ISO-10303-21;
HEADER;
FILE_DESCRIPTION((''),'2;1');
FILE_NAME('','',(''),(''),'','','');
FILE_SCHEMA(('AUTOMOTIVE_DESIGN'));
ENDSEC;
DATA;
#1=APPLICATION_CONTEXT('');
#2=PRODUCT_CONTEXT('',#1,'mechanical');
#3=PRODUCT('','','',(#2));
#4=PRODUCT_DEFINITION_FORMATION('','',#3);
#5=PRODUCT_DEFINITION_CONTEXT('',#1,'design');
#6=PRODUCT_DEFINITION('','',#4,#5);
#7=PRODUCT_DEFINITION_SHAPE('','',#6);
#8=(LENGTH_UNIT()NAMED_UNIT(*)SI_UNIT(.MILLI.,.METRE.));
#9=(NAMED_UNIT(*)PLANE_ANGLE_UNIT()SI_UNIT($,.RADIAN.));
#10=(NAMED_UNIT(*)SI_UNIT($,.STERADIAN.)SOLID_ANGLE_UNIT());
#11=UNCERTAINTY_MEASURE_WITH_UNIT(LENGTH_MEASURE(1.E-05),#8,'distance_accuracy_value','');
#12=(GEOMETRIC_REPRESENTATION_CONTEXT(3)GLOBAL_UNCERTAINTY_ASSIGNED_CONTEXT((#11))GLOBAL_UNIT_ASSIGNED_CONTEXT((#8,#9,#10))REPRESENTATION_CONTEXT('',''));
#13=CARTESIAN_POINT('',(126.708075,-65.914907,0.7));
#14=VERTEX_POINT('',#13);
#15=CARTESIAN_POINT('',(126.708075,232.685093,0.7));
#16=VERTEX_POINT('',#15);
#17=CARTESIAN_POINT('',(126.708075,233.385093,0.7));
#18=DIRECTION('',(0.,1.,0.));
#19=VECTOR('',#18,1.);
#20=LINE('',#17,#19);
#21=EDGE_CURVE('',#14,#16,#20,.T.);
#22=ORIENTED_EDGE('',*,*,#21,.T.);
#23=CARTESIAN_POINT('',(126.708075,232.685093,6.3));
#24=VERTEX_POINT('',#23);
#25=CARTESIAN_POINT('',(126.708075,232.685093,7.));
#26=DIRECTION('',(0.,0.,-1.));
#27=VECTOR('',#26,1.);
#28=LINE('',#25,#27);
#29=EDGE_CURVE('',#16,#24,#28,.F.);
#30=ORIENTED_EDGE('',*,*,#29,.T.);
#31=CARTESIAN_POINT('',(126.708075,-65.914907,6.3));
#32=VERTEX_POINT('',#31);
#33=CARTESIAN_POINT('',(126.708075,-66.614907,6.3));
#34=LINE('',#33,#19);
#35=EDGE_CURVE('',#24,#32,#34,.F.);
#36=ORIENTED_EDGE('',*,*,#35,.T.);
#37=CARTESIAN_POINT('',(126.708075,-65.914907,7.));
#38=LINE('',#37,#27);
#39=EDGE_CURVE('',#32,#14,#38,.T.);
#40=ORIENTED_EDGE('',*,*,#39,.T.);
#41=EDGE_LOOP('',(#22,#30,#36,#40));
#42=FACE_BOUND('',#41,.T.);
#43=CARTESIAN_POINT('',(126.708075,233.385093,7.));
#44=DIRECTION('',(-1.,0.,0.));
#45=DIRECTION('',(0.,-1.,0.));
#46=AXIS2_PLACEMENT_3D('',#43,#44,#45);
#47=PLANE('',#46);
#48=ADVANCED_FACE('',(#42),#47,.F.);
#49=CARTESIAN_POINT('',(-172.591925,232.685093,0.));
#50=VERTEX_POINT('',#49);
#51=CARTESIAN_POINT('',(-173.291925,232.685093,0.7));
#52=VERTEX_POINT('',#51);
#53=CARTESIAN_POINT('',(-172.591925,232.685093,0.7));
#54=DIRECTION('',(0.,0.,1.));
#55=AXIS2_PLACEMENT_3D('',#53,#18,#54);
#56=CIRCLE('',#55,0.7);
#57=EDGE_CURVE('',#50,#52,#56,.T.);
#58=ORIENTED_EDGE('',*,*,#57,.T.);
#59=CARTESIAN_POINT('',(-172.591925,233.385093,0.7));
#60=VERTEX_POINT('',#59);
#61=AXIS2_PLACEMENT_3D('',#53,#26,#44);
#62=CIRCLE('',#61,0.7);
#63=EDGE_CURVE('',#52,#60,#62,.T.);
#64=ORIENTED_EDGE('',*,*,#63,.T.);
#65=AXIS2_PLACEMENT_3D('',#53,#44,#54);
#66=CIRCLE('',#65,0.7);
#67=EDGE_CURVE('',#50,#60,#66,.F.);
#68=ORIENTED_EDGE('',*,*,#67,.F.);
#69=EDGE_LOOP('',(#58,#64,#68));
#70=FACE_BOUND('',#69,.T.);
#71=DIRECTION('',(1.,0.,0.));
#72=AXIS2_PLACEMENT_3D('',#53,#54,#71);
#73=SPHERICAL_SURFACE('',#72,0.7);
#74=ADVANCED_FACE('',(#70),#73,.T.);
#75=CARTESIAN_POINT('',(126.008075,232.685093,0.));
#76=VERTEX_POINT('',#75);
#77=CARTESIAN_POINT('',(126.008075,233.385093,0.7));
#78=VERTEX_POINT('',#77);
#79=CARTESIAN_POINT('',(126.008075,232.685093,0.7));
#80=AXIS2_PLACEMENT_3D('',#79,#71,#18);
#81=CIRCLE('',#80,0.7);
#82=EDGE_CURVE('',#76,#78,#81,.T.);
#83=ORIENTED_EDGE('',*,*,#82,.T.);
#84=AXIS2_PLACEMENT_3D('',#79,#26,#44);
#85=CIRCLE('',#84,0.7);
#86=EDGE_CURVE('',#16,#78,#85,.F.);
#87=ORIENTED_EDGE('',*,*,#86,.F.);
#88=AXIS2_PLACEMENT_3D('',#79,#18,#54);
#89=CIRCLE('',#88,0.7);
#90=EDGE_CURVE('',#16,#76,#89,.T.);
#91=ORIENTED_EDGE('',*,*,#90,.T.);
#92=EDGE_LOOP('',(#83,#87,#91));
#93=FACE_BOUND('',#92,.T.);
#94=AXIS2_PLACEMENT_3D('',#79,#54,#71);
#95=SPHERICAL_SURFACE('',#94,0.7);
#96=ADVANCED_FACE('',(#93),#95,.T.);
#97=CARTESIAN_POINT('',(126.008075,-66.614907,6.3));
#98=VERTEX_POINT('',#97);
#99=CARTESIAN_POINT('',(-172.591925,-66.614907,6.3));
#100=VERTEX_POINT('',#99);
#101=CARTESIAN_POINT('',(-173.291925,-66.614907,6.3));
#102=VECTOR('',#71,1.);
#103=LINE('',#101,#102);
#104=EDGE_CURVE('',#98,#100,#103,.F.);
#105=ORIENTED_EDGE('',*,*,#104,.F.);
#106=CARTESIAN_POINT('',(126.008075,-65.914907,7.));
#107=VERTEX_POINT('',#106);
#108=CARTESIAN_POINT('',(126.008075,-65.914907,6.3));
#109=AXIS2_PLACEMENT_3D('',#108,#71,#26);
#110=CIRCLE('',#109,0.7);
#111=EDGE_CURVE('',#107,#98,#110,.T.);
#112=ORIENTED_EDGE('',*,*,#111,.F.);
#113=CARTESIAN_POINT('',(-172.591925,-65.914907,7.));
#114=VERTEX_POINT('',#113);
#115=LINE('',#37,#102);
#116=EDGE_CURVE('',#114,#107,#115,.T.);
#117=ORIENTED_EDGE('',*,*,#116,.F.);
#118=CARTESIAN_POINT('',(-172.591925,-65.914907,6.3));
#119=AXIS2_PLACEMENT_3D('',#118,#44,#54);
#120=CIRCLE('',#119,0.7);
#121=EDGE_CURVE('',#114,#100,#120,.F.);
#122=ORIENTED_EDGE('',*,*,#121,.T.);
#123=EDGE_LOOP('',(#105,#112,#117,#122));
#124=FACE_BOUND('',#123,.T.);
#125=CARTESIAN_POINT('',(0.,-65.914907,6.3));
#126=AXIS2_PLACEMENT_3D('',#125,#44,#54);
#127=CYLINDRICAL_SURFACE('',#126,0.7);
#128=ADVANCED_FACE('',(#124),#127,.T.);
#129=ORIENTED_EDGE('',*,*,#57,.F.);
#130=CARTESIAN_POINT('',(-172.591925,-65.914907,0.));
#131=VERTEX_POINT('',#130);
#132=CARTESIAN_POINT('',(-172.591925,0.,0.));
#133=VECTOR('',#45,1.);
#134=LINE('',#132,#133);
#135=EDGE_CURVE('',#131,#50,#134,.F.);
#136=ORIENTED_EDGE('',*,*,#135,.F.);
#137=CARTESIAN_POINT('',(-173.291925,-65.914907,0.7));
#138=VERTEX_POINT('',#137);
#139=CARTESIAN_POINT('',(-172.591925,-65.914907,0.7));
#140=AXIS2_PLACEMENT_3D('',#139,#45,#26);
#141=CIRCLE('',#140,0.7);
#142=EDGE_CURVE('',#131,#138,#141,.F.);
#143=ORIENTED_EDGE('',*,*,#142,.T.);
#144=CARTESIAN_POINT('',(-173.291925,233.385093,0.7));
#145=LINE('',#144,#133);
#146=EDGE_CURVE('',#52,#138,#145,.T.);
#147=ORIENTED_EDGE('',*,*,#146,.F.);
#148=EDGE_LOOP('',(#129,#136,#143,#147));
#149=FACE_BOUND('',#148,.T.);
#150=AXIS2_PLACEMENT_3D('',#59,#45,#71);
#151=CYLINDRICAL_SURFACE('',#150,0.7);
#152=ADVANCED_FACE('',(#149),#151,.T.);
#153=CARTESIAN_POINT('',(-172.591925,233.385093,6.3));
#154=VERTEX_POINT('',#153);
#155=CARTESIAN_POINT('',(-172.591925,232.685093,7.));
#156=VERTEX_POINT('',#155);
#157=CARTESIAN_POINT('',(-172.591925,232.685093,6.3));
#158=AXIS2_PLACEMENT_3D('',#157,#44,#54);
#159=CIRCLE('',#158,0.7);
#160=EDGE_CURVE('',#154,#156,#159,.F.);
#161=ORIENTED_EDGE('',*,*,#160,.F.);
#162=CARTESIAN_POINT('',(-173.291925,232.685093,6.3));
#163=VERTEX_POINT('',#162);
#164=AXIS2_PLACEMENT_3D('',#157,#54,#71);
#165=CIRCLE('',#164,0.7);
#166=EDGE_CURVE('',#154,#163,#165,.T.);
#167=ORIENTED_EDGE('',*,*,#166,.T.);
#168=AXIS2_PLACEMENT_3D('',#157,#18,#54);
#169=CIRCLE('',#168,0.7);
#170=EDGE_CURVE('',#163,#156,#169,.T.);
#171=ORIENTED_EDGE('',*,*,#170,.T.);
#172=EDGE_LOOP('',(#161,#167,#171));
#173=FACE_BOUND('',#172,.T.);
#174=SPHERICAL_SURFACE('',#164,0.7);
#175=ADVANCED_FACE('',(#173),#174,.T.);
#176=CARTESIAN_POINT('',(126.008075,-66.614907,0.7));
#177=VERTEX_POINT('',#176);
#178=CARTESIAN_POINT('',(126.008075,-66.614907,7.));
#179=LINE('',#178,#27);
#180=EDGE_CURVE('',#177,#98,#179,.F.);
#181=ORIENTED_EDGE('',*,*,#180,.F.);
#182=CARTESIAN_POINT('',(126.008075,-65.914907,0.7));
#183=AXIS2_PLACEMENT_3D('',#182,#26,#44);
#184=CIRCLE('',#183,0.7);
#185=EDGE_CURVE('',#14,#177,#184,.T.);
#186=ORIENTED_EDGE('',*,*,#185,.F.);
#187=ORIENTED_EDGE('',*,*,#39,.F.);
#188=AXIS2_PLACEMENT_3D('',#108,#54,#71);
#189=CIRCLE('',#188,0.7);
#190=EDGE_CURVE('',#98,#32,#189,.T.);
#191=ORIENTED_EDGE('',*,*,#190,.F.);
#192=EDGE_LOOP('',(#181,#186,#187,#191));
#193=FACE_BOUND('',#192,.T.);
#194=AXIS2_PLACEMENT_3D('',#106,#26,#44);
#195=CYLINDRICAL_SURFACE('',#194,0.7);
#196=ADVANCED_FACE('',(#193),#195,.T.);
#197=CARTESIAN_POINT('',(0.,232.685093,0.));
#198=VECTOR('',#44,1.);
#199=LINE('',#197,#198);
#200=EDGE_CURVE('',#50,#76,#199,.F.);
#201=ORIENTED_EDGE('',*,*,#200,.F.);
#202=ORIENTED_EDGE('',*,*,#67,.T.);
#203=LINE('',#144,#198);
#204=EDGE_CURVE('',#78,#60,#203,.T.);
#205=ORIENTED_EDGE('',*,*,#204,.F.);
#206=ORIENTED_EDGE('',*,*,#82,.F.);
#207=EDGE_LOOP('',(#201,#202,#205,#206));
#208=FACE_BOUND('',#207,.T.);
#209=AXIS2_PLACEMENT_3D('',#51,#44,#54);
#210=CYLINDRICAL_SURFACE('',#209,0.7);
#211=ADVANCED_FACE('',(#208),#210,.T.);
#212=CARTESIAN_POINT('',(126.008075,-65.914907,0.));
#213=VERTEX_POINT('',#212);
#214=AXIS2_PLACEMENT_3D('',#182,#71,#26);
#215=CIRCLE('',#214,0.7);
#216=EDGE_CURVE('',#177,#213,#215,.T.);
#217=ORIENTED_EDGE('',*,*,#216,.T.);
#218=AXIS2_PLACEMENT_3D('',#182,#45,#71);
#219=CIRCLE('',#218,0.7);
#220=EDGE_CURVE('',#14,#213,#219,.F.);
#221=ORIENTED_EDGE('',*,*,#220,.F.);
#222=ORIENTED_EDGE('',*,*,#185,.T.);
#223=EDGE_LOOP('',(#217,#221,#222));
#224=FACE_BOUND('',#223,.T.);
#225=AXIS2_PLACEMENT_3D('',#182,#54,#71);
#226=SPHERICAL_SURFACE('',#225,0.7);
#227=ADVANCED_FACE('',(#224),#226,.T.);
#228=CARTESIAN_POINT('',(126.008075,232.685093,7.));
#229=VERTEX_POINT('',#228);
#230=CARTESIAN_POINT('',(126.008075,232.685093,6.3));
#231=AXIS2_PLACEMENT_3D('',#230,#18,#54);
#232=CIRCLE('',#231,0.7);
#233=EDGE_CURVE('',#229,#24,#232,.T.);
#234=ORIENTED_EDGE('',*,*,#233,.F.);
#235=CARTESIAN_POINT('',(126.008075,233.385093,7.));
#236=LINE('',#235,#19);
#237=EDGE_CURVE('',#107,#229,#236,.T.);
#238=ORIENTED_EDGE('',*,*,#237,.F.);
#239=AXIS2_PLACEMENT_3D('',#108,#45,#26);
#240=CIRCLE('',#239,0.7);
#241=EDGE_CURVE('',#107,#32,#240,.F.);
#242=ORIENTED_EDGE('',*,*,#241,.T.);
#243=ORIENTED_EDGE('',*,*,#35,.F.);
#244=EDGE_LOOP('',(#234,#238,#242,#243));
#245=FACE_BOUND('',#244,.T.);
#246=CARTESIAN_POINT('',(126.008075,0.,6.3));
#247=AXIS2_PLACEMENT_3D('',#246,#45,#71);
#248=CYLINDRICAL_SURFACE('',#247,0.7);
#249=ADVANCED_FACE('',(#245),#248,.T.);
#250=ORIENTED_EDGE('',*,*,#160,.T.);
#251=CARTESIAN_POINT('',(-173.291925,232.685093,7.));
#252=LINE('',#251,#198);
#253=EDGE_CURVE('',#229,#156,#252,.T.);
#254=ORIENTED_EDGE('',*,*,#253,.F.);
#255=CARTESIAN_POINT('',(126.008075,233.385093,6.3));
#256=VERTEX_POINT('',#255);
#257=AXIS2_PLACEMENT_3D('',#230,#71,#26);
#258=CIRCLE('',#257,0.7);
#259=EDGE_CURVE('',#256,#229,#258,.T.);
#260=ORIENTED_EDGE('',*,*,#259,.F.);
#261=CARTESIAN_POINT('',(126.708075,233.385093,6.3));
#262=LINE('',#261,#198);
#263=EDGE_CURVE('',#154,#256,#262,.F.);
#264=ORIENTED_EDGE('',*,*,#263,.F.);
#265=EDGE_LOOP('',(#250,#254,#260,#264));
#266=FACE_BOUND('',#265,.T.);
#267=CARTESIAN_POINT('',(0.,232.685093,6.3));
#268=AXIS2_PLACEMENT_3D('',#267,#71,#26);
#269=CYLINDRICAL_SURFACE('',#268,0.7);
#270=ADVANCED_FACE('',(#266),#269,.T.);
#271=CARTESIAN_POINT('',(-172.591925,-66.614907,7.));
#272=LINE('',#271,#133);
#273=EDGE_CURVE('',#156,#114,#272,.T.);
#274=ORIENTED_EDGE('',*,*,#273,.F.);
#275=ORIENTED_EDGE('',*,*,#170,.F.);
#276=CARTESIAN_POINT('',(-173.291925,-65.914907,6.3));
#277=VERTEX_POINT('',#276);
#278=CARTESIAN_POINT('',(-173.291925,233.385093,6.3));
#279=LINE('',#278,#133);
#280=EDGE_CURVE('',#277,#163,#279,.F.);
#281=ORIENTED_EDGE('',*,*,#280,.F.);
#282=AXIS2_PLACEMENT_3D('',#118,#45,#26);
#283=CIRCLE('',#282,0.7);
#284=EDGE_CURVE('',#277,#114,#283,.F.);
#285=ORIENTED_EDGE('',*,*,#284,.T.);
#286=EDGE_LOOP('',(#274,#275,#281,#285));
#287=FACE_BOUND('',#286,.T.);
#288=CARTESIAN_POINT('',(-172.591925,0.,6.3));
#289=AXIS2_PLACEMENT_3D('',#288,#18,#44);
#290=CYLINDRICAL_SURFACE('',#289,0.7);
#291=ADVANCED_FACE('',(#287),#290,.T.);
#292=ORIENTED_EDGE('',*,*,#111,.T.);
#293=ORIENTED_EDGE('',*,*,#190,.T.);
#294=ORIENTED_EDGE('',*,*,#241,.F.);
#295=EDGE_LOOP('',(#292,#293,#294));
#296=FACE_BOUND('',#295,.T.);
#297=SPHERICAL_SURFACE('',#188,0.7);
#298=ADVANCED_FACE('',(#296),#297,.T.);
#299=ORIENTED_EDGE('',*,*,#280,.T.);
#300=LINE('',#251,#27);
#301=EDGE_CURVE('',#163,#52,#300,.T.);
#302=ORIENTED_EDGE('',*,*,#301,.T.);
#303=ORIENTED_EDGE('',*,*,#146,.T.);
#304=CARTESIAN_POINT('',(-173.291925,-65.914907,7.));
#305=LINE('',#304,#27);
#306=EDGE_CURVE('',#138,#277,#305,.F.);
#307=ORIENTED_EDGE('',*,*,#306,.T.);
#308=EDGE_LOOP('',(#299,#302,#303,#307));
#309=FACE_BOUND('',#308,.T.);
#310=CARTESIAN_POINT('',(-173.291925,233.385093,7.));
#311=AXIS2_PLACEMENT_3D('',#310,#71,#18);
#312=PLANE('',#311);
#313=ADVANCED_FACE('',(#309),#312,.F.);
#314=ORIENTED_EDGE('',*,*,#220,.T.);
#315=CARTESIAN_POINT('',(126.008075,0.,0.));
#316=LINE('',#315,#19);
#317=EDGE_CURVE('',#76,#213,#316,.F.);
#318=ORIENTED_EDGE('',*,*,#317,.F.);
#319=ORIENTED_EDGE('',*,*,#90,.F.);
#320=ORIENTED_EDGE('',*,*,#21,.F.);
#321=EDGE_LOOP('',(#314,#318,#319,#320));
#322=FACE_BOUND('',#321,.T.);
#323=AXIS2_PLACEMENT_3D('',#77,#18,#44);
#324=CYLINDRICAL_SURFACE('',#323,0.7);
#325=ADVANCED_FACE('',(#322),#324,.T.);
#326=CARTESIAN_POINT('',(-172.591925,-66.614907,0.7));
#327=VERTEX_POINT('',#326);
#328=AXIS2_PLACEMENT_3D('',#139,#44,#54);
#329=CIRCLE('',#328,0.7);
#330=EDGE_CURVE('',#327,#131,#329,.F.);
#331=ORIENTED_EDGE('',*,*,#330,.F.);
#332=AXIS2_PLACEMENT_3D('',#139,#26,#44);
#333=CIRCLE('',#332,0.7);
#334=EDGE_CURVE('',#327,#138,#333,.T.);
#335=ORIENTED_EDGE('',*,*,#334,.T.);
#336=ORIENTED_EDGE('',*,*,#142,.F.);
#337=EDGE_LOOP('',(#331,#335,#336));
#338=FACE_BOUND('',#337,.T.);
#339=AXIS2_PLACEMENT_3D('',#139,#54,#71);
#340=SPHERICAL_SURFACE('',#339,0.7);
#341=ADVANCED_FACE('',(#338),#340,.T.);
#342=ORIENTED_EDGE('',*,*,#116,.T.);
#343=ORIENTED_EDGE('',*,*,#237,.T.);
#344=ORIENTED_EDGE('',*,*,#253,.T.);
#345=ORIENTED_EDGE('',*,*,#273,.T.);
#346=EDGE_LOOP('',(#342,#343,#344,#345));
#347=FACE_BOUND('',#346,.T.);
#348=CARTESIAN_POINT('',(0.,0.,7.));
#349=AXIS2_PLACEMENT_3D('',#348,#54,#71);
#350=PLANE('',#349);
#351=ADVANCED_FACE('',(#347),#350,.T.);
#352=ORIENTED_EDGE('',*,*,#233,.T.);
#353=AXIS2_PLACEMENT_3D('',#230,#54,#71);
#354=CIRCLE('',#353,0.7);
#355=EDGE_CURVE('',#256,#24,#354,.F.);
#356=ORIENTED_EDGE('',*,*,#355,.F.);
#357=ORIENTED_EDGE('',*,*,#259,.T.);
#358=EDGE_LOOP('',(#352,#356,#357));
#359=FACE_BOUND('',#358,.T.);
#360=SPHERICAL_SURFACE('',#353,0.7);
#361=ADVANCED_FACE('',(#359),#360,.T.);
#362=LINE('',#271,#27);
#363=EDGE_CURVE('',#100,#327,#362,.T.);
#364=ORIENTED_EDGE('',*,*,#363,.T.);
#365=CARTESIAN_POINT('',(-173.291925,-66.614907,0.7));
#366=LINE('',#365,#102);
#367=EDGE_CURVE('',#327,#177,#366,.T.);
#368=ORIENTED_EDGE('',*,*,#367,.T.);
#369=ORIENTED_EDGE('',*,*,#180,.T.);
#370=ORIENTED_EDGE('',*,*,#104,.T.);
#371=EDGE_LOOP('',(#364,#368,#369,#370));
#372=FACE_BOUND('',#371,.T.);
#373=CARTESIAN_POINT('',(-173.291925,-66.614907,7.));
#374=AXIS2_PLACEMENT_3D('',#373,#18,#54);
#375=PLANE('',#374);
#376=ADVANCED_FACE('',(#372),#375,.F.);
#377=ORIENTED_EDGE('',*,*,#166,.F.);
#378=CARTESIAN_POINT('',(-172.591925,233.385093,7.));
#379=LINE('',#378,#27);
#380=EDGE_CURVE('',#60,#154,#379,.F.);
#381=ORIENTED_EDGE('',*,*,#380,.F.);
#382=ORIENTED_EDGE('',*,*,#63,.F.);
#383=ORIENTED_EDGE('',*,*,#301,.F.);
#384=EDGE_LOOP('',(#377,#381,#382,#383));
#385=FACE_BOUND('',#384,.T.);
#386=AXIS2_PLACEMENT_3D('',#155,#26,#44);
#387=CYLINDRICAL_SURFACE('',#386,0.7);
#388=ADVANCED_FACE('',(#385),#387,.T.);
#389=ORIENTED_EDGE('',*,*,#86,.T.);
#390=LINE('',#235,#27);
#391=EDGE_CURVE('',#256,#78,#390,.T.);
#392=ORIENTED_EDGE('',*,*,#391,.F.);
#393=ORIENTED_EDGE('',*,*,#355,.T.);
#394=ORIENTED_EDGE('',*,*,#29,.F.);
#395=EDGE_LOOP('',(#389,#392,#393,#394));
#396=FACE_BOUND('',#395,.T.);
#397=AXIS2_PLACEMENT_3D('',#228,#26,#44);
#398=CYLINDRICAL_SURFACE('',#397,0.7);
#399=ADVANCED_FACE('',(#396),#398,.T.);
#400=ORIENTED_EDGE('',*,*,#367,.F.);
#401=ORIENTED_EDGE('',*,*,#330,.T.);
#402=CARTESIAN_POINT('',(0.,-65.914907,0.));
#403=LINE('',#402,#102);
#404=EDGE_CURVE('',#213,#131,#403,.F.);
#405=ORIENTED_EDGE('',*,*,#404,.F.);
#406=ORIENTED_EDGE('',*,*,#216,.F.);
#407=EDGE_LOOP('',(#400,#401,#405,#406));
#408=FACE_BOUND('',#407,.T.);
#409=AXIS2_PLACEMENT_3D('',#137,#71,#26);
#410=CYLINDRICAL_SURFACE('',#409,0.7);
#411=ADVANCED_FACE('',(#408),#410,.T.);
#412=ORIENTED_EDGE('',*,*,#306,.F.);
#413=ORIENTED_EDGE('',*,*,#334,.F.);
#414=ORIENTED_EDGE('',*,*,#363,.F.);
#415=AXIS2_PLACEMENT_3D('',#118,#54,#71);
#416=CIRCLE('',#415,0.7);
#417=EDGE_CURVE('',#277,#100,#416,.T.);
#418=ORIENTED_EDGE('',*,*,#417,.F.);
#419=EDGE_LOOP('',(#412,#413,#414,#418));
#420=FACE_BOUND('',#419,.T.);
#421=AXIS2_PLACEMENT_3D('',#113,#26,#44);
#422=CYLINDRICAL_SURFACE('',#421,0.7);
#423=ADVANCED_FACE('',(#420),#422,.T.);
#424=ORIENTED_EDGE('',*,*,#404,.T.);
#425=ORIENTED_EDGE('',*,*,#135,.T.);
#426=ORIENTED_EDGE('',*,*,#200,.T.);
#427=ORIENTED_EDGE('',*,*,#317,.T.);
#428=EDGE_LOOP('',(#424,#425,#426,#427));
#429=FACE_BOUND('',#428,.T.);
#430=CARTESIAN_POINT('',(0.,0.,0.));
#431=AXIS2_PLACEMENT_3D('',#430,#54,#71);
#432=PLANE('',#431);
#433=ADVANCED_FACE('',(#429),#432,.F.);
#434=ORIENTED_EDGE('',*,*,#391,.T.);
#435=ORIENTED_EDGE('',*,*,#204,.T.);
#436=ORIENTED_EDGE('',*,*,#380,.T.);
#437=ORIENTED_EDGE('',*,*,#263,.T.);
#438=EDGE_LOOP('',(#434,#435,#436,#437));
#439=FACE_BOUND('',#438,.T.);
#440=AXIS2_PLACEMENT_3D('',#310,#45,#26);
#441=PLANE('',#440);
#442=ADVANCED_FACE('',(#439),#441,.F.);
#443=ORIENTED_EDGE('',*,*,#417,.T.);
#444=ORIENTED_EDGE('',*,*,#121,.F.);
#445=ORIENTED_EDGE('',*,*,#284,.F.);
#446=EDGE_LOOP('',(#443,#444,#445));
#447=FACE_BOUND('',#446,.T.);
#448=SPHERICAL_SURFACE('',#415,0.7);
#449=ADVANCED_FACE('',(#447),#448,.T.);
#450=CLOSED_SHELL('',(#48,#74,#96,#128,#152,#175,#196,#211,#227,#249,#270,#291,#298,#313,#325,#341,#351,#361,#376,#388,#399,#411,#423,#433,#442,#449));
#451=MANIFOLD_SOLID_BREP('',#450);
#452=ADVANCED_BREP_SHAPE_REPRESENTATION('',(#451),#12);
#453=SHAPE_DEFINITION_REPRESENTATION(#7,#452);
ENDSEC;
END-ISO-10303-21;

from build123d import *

# Parameters (mm, degrees)
SKETCH1_W           = 300
SKETCH1_H           = 300
BOSS_EXTRUDE1_DEPTH = 7
FILLET1_R           = 0.7


with BuildPart() as part:
    # Sketch1 → Boss-Extrude1 (new body)
    with BuildSketch(Plane.XY):
        with Locations((-23.291925466, 83.385093168)):
            Rectangle(SKETCH1_W, SKETCH1_H)
    extrude(amount=BOSS_EXTRUDE1_DEPTH)

    # Fillet1
    fillet1_edges = [part.edges().sort_by_distance(p)[0] for p in [
        (-173.291925466, 83.385093168, 7),
        (-23.291925466, -66.614906832, 7),
        (126.708074534, 83.385093168, 7),
        (-23.291925466, -66.614906832, 0),
        (-173.291925466, 83.385093168, 0),
        (-23.291925466, 233.385093168, 0),
        (126.708074534, 83.385093168, 0),
        (-23.291925466, 233.385093168, 7),
        (126.708074534, -66.614906832, 3.5),
        (-173.291925466, -66.614906832, 3.5),
        (-173.291925466, 233.385093168, 3.5),
        (126.708074534, 233.385093168, 3.5),
    ]]
    fillet(fillet1_edges, radius=FILLET1_R)


solid = part.part
